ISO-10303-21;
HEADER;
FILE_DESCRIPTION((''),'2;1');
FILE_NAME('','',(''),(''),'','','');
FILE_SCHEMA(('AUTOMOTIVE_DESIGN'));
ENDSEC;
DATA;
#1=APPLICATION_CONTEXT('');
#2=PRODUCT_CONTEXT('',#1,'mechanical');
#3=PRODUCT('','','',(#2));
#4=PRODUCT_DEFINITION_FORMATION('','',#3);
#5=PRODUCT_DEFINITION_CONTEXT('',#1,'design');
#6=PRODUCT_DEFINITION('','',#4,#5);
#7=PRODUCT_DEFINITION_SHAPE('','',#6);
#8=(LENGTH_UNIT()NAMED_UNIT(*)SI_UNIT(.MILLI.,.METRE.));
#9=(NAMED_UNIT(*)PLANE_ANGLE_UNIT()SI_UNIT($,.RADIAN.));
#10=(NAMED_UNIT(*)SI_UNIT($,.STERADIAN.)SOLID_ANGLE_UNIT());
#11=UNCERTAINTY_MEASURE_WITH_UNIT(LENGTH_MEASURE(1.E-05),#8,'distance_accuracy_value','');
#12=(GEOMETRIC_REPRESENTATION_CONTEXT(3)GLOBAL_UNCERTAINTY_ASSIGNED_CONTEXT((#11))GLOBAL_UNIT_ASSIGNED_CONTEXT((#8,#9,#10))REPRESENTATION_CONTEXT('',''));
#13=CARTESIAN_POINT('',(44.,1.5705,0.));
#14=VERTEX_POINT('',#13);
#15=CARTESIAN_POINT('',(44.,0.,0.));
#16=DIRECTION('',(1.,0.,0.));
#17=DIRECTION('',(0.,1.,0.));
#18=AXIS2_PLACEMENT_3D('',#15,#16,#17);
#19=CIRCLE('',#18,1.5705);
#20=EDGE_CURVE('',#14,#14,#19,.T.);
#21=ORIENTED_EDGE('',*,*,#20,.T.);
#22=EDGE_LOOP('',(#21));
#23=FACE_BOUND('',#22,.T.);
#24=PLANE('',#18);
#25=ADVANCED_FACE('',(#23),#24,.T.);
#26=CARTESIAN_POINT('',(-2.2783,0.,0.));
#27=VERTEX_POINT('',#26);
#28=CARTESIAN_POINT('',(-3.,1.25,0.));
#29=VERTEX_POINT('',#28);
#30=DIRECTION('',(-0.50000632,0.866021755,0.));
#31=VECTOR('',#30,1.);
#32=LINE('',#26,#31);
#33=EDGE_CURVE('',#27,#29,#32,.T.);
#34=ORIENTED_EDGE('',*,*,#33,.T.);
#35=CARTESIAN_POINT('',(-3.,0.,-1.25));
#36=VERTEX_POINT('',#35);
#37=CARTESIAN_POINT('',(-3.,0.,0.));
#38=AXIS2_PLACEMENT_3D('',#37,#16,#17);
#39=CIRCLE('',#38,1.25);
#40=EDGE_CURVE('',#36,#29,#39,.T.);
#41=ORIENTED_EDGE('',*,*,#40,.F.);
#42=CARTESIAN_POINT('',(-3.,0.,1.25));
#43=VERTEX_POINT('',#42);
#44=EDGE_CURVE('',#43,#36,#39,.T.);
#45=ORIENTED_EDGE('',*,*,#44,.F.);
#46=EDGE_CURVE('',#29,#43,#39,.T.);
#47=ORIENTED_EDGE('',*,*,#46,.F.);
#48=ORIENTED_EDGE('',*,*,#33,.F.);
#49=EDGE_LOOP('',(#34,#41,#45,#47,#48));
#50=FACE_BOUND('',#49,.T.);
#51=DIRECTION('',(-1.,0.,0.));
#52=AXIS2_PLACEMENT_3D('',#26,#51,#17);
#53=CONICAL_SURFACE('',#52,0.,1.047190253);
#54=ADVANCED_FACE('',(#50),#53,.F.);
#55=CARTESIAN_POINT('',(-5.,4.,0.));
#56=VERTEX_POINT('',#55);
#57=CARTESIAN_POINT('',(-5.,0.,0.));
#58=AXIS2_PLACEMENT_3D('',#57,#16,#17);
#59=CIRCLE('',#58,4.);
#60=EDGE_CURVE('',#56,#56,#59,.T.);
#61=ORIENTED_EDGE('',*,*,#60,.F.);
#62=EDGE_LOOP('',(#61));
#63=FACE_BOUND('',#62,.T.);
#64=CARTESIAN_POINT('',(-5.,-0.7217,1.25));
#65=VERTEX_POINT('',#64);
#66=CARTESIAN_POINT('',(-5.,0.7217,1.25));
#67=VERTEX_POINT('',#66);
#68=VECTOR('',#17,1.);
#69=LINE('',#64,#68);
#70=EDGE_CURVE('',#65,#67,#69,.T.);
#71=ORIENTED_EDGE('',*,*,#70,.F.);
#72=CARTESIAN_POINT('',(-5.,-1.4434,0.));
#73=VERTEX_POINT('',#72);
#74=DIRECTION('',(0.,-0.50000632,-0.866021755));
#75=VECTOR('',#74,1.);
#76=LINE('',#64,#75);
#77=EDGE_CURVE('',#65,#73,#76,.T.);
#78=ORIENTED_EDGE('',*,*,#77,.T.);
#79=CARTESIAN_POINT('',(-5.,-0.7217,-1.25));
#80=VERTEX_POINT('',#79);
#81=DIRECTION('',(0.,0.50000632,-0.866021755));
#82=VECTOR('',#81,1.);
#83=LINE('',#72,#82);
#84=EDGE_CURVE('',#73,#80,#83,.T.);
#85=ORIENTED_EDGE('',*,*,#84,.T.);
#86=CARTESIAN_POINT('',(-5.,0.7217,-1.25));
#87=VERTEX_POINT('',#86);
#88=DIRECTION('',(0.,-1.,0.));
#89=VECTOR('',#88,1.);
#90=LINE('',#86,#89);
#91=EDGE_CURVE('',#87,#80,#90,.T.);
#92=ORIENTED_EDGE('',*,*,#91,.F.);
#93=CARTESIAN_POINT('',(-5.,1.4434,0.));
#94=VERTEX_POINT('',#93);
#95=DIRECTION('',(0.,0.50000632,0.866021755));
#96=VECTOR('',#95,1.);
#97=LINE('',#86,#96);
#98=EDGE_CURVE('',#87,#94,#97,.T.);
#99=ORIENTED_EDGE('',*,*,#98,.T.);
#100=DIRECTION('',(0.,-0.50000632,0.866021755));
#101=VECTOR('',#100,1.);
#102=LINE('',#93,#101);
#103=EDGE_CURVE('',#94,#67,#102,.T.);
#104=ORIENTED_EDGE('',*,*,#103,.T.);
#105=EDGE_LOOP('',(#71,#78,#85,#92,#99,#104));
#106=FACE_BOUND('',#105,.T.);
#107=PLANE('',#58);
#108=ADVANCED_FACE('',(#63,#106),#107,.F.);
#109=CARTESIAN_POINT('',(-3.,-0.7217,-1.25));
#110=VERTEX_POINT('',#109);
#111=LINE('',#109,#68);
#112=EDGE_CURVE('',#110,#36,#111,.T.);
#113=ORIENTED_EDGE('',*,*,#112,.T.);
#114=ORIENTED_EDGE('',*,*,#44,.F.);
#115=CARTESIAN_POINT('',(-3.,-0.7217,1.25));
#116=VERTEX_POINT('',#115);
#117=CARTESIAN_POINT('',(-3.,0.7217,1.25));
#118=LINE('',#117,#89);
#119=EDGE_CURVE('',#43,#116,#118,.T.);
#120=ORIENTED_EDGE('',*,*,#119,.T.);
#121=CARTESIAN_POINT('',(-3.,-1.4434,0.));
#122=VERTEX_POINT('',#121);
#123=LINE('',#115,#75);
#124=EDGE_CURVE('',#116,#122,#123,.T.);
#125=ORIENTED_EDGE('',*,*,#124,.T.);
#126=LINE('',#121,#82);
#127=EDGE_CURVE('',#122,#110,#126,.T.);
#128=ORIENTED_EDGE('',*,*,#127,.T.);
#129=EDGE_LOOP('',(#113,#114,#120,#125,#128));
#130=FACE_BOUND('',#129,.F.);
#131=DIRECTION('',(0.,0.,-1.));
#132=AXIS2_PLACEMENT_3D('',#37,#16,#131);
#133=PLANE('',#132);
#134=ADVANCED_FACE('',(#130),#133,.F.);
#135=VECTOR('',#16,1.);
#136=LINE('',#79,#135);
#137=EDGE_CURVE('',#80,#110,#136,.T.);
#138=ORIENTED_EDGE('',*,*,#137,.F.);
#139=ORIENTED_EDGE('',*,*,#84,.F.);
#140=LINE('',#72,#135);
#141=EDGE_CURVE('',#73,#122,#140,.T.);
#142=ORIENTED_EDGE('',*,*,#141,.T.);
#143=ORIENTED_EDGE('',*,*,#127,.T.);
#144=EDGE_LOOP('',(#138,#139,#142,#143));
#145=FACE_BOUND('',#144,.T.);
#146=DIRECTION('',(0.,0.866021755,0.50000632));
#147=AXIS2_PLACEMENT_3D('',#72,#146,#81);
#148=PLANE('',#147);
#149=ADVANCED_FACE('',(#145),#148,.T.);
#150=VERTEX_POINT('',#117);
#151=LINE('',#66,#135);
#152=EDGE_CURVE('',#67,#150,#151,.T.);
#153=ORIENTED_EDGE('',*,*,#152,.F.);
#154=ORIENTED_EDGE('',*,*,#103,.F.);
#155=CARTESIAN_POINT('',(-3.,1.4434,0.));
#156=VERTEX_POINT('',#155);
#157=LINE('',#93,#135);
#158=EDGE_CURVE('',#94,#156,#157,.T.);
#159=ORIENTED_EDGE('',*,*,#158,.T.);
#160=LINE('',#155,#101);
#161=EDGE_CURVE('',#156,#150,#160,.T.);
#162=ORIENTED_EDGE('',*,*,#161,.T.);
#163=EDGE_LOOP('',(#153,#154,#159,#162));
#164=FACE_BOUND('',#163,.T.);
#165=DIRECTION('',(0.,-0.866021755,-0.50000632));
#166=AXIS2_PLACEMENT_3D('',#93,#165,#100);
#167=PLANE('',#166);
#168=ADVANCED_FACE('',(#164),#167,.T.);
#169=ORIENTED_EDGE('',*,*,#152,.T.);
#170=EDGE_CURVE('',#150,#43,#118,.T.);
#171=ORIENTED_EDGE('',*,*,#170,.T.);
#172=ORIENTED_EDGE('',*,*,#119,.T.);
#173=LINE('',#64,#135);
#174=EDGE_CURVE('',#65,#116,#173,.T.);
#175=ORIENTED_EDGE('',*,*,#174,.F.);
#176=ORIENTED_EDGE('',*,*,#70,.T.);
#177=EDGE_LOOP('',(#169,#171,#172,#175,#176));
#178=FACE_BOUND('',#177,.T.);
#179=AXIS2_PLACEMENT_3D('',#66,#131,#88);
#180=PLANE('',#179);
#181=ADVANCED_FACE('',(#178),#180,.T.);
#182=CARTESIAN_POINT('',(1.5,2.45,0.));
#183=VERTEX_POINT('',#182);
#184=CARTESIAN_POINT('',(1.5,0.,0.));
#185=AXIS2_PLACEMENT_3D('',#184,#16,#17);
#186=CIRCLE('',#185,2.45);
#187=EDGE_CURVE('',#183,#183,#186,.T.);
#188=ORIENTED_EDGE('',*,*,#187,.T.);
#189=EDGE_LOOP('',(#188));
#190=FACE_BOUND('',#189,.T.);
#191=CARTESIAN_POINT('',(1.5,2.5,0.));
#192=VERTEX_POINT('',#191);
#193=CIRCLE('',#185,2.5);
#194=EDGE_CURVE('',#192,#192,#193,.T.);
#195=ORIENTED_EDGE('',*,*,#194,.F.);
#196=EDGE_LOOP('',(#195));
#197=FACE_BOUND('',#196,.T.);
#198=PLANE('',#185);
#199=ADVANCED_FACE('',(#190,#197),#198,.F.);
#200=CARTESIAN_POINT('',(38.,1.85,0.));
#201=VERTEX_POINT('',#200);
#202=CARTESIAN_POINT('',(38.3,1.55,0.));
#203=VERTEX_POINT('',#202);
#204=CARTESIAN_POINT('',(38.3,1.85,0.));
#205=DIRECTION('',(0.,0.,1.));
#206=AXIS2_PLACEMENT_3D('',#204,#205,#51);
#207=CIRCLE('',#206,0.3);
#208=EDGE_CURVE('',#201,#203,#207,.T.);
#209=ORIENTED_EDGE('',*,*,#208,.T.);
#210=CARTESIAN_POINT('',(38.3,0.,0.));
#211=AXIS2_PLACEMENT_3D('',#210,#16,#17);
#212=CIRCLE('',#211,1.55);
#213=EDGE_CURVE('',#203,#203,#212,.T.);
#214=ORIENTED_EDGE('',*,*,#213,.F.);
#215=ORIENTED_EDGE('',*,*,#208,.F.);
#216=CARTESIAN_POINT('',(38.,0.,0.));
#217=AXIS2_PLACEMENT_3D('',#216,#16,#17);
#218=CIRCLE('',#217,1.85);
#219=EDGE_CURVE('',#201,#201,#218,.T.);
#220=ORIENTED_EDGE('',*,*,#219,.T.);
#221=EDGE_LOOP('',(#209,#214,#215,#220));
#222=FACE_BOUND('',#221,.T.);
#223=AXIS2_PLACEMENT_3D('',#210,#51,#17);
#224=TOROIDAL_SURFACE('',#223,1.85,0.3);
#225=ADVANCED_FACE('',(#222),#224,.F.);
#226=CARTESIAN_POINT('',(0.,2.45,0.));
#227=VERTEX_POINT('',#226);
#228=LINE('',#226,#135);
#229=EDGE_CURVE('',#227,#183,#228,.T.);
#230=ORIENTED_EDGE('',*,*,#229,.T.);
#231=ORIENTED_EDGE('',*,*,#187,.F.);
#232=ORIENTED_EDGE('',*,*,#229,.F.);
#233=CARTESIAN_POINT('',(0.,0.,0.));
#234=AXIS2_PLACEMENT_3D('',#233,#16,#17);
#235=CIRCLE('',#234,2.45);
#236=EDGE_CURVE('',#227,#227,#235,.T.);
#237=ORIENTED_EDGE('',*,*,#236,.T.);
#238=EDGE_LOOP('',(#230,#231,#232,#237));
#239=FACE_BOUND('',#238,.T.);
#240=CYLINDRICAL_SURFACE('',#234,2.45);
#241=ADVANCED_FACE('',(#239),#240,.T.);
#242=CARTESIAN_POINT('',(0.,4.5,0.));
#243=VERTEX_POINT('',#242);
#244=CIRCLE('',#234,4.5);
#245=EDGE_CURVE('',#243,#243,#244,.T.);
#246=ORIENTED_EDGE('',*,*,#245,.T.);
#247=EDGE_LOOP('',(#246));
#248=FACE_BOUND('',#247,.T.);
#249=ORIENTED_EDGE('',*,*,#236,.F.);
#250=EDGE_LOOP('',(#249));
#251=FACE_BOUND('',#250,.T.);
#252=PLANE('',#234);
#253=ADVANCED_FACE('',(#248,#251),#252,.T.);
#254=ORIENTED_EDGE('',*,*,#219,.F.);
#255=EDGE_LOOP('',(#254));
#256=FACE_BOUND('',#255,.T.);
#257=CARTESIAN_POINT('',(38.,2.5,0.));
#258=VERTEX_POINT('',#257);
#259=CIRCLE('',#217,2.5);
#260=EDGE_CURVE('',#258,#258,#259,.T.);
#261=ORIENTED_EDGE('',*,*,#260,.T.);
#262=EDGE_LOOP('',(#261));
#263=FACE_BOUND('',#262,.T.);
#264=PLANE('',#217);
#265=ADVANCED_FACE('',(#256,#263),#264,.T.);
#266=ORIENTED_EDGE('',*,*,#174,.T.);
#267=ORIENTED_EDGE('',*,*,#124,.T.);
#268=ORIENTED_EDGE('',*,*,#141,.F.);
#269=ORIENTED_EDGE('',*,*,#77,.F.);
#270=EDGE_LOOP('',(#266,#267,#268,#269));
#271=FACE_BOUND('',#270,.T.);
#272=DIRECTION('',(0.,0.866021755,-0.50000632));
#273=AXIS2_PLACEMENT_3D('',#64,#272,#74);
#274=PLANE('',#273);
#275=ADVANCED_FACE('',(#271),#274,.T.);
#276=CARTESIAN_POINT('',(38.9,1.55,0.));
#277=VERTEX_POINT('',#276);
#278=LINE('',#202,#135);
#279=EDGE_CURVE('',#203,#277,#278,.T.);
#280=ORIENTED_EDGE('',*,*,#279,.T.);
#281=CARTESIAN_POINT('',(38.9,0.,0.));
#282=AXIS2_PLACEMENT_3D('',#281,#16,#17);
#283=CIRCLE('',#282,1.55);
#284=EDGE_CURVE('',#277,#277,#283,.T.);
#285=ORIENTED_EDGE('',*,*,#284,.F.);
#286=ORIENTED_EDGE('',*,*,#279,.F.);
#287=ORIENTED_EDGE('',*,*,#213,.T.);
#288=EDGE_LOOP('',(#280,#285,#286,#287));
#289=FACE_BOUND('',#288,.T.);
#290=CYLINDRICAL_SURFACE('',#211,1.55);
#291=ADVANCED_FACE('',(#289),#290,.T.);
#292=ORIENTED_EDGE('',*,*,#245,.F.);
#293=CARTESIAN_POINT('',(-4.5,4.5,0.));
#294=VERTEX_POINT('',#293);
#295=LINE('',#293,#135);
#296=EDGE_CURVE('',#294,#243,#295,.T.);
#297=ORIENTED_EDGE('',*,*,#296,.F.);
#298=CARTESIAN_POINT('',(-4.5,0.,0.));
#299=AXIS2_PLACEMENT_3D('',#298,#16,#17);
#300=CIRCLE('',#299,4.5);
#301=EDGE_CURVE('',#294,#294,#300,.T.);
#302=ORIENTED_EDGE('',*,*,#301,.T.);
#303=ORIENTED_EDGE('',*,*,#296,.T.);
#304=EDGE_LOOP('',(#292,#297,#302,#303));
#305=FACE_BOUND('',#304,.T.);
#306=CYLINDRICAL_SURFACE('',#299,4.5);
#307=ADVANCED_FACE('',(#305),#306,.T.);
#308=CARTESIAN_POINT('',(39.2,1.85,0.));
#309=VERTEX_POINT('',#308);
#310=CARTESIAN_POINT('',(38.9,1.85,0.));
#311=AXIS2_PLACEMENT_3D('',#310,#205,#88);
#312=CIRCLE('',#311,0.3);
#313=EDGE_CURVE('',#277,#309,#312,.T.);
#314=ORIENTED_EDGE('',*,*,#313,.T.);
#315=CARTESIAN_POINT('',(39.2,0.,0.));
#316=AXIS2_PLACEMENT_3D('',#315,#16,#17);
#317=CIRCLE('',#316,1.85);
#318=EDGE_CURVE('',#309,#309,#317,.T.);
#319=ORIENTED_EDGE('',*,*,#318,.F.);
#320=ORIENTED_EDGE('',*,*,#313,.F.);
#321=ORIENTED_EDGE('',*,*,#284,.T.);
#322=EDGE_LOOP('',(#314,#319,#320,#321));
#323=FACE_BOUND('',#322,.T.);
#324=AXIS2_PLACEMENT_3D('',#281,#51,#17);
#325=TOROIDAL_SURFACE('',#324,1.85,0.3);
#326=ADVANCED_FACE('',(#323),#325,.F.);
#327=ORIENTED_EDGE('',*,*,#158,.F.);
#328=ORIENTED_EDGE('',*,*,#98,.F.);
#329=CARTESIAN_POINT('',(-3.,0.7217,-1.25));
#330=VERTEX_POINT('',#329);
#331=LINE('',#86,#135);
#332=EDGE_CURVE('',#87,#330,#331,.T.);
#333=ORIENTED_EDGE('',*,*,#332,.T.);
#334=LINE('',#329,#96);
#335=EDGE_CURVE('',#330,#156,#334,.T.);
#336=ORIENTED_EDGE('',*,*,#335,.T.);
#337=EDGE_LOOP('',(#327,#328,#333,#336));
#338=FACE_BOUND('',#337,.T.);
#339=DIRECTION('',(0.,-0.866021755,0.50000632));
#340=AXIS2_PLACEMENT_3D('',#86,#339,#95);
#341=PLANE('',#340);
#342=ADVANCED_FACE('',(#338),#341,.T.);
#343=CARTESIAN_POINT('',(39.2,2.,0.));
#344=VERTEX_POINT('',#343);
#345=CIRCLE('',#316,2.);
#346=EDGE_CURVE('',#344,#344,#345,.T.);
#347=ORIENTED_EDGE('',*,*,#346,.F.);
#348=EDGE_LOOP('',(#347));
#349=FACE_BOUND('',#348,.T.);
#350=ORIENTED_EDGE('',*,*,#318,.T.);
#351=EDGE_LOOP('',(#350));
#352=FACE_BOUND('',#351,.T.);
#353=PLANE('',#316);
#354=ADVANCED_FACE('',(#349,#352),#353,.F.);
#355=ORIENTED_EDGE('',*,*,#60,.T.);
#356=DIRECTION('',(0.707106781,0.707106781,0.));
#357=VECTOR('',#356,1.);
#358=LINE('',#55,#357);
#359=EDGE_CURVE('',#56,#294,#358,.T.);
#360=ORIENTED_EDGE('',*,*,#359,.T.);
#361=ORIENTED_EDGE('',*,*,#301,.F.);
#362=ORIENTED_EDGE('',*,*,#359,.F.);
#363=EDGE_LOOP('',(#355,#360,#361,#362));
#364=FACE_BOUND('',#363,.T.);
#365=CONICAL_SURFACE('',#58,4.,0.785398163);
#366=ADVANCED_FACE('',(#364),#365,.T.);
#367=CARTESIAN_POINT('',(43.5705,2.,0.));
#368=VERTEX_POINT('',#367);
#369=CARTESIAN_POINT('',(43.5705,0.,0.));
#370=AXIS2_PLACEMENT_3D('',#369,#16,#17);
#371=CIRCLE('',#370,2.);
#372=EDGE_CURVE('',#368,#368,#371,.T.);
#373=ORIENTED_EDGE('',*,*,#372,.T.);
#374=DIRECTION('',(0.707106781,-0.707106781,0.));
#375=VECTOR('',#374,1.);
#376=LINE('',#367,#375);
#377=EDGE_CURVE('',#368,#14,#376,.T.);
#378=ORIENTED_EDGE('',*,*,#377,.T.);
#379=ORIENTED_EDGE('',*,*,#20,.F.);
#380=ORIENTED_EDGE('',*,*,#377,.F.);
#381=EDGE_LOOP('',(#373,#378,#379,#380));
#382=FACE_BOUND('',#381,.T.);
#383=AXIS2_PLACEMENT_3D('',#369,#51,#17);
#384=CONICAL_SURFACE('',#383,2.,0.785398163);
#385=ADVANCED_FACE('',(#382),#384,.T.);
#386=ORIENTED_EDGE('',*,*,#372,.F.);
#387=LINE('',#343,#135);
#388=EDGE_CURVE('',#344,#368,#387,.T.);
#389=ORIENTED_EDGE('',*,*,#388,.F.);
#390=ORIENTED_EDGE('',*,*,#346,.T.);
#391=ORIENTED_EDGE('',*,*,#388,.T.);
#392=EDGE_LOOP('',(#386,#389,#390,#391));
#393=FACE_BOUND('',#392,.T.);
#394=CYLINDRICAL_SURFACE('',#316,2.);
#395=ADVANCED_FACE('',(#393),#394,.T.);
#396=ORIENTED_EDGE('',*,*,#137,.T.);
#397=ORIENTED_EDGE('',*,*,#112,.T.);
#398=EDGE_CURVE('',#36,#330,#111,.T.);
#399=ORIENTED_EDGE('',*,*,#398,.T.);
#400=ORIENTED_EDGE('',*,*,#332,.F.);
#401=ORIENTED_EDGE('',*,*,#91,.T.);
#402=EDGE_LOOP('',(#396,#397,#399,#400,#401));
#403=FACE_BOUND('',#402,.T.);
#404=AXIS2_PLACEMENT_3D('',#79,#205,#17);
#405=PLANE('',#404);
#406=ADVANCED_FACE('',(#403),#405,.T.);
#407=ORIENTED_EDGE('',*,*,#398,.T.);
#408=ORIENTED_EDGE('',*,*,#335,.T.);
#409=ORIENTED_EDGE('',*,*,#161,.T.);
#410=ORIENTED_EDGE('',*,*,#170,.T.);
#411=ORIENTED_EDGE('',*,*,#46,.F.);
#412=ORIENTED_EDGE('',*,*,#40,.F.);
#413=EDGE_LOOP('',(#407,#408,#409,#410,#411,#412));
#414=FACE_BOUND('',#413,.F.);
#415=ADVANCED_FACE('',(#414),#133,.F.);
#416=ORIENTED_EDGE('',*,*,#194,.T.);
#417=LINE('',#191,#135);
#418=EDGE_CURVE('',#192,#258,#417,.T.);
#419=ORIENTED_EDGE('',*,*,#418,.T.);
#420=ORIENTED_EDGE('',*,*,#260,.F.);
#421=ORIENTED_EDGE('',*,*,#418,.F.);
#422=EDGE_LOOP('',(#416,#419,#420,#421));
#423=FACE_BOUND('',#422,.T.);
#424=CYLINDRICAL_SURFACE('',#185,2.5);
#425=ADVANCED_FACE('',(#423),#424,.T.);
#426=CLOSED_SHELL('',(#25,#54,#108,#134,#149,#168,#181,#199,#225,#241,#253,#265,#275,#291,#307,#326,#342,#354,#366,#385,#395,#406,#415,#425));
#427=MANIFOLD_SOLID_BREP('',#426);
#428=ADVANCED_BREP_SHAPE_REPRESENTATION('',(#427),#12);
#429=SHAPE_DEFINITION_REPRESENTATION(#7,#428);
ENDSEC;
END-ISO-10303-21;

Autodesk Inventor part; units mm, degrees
sketch "Sketch_1" plane through (0, 0, 0) normal (0, 0, 1) x (1, 0, 0)
  line L0 (44, 0) -> (-5, 0)
  line L1 (-2.2783, 0) -> (-3, 1.25)
  line L2 (-3, 1.25) -> (-5, 1.25)
  line L3 (-5, 1.25) -> (-5, 4)
  line L4 (-5, 4) -> (-4.5, 4.5)
  line L5 (-4.5, 4.5) -> (0, 4.5)
  line L6 (0, 4.5) -> (0, 2.45)
  line L7 (0, 2.45) -> (1.5, 2.45)
  line L8 (1.5, 2.45) -> (1.5, 2.5)
  line L9 (1.5, 2.5) -> (38, 2.5)
  line L10 (38, 2.5) -> (38, 1.85)
  arc A0 (38, 1.85) -> (38.3, 1.55) centre (38.3, 1.85) ccw
  line L11 (38.3, 1.55) -> (38.9, 1.55)
  arc A1 (38.9, 1.55) -> (39.2, 1.85) centre (38.9, 1.85) ccw
  line L12 (39.2, 1.85) -> (39.2, 2)
  line L13 (39.2, 2) -> (43.5705, 2)
  line L14 (43.5705, 2) -> (44, 1.5705)
  line L15 (44, 1.5705) -> (44, 0)
  line L16 (44, 0) -> (-2.2783, 0)
revolve "Revolution1" add sketch "Sketch_1" angle 360 about axis through (44, 0, 0) along (1, 0, 0)
thread "Thread1" size "M4x0.7" class "6g" standard "ISO Metric profile" full length
sketch "Sketch_2" plane through (-5, 0, 0) normal (1, 0, 0) x (0, 0, -1)
  line L0 (-1.25, -0.7217) -> (0, -1.4434)
  line L1 (0, -1.4434) -> (1.25, -0.7217)
  line L2 (1.25, -0.7217) -> (1.25, 0.7217)
  line L3 (1.25, 0.7217) -> (0, 1.4434)
  line L4 (0, 1.4434) -> (-1.25, 0.7217)
  line L5 (-1.25, 0.7217) -> (-1.25, -0.7217)
extrude "Extrusion1" cut sketch "Sketch_2" along normal blind 2
ref_plane "pin_to_nut_XY" through (39.7, 0, 0) normal (1, 0, 0) x (0, 0, -1)
ref_plane "pin_to_nut_YZ" through (39.7, 0, 0) normal (0, 0, -1) x (0, 1, 0)
ref_plane "pin_to_nut_ZX" through (39.7, 0, 0) normal (0, 1, 0) x (1, 0, 0)
properties part number "SCLBRU5-38.0_D"
